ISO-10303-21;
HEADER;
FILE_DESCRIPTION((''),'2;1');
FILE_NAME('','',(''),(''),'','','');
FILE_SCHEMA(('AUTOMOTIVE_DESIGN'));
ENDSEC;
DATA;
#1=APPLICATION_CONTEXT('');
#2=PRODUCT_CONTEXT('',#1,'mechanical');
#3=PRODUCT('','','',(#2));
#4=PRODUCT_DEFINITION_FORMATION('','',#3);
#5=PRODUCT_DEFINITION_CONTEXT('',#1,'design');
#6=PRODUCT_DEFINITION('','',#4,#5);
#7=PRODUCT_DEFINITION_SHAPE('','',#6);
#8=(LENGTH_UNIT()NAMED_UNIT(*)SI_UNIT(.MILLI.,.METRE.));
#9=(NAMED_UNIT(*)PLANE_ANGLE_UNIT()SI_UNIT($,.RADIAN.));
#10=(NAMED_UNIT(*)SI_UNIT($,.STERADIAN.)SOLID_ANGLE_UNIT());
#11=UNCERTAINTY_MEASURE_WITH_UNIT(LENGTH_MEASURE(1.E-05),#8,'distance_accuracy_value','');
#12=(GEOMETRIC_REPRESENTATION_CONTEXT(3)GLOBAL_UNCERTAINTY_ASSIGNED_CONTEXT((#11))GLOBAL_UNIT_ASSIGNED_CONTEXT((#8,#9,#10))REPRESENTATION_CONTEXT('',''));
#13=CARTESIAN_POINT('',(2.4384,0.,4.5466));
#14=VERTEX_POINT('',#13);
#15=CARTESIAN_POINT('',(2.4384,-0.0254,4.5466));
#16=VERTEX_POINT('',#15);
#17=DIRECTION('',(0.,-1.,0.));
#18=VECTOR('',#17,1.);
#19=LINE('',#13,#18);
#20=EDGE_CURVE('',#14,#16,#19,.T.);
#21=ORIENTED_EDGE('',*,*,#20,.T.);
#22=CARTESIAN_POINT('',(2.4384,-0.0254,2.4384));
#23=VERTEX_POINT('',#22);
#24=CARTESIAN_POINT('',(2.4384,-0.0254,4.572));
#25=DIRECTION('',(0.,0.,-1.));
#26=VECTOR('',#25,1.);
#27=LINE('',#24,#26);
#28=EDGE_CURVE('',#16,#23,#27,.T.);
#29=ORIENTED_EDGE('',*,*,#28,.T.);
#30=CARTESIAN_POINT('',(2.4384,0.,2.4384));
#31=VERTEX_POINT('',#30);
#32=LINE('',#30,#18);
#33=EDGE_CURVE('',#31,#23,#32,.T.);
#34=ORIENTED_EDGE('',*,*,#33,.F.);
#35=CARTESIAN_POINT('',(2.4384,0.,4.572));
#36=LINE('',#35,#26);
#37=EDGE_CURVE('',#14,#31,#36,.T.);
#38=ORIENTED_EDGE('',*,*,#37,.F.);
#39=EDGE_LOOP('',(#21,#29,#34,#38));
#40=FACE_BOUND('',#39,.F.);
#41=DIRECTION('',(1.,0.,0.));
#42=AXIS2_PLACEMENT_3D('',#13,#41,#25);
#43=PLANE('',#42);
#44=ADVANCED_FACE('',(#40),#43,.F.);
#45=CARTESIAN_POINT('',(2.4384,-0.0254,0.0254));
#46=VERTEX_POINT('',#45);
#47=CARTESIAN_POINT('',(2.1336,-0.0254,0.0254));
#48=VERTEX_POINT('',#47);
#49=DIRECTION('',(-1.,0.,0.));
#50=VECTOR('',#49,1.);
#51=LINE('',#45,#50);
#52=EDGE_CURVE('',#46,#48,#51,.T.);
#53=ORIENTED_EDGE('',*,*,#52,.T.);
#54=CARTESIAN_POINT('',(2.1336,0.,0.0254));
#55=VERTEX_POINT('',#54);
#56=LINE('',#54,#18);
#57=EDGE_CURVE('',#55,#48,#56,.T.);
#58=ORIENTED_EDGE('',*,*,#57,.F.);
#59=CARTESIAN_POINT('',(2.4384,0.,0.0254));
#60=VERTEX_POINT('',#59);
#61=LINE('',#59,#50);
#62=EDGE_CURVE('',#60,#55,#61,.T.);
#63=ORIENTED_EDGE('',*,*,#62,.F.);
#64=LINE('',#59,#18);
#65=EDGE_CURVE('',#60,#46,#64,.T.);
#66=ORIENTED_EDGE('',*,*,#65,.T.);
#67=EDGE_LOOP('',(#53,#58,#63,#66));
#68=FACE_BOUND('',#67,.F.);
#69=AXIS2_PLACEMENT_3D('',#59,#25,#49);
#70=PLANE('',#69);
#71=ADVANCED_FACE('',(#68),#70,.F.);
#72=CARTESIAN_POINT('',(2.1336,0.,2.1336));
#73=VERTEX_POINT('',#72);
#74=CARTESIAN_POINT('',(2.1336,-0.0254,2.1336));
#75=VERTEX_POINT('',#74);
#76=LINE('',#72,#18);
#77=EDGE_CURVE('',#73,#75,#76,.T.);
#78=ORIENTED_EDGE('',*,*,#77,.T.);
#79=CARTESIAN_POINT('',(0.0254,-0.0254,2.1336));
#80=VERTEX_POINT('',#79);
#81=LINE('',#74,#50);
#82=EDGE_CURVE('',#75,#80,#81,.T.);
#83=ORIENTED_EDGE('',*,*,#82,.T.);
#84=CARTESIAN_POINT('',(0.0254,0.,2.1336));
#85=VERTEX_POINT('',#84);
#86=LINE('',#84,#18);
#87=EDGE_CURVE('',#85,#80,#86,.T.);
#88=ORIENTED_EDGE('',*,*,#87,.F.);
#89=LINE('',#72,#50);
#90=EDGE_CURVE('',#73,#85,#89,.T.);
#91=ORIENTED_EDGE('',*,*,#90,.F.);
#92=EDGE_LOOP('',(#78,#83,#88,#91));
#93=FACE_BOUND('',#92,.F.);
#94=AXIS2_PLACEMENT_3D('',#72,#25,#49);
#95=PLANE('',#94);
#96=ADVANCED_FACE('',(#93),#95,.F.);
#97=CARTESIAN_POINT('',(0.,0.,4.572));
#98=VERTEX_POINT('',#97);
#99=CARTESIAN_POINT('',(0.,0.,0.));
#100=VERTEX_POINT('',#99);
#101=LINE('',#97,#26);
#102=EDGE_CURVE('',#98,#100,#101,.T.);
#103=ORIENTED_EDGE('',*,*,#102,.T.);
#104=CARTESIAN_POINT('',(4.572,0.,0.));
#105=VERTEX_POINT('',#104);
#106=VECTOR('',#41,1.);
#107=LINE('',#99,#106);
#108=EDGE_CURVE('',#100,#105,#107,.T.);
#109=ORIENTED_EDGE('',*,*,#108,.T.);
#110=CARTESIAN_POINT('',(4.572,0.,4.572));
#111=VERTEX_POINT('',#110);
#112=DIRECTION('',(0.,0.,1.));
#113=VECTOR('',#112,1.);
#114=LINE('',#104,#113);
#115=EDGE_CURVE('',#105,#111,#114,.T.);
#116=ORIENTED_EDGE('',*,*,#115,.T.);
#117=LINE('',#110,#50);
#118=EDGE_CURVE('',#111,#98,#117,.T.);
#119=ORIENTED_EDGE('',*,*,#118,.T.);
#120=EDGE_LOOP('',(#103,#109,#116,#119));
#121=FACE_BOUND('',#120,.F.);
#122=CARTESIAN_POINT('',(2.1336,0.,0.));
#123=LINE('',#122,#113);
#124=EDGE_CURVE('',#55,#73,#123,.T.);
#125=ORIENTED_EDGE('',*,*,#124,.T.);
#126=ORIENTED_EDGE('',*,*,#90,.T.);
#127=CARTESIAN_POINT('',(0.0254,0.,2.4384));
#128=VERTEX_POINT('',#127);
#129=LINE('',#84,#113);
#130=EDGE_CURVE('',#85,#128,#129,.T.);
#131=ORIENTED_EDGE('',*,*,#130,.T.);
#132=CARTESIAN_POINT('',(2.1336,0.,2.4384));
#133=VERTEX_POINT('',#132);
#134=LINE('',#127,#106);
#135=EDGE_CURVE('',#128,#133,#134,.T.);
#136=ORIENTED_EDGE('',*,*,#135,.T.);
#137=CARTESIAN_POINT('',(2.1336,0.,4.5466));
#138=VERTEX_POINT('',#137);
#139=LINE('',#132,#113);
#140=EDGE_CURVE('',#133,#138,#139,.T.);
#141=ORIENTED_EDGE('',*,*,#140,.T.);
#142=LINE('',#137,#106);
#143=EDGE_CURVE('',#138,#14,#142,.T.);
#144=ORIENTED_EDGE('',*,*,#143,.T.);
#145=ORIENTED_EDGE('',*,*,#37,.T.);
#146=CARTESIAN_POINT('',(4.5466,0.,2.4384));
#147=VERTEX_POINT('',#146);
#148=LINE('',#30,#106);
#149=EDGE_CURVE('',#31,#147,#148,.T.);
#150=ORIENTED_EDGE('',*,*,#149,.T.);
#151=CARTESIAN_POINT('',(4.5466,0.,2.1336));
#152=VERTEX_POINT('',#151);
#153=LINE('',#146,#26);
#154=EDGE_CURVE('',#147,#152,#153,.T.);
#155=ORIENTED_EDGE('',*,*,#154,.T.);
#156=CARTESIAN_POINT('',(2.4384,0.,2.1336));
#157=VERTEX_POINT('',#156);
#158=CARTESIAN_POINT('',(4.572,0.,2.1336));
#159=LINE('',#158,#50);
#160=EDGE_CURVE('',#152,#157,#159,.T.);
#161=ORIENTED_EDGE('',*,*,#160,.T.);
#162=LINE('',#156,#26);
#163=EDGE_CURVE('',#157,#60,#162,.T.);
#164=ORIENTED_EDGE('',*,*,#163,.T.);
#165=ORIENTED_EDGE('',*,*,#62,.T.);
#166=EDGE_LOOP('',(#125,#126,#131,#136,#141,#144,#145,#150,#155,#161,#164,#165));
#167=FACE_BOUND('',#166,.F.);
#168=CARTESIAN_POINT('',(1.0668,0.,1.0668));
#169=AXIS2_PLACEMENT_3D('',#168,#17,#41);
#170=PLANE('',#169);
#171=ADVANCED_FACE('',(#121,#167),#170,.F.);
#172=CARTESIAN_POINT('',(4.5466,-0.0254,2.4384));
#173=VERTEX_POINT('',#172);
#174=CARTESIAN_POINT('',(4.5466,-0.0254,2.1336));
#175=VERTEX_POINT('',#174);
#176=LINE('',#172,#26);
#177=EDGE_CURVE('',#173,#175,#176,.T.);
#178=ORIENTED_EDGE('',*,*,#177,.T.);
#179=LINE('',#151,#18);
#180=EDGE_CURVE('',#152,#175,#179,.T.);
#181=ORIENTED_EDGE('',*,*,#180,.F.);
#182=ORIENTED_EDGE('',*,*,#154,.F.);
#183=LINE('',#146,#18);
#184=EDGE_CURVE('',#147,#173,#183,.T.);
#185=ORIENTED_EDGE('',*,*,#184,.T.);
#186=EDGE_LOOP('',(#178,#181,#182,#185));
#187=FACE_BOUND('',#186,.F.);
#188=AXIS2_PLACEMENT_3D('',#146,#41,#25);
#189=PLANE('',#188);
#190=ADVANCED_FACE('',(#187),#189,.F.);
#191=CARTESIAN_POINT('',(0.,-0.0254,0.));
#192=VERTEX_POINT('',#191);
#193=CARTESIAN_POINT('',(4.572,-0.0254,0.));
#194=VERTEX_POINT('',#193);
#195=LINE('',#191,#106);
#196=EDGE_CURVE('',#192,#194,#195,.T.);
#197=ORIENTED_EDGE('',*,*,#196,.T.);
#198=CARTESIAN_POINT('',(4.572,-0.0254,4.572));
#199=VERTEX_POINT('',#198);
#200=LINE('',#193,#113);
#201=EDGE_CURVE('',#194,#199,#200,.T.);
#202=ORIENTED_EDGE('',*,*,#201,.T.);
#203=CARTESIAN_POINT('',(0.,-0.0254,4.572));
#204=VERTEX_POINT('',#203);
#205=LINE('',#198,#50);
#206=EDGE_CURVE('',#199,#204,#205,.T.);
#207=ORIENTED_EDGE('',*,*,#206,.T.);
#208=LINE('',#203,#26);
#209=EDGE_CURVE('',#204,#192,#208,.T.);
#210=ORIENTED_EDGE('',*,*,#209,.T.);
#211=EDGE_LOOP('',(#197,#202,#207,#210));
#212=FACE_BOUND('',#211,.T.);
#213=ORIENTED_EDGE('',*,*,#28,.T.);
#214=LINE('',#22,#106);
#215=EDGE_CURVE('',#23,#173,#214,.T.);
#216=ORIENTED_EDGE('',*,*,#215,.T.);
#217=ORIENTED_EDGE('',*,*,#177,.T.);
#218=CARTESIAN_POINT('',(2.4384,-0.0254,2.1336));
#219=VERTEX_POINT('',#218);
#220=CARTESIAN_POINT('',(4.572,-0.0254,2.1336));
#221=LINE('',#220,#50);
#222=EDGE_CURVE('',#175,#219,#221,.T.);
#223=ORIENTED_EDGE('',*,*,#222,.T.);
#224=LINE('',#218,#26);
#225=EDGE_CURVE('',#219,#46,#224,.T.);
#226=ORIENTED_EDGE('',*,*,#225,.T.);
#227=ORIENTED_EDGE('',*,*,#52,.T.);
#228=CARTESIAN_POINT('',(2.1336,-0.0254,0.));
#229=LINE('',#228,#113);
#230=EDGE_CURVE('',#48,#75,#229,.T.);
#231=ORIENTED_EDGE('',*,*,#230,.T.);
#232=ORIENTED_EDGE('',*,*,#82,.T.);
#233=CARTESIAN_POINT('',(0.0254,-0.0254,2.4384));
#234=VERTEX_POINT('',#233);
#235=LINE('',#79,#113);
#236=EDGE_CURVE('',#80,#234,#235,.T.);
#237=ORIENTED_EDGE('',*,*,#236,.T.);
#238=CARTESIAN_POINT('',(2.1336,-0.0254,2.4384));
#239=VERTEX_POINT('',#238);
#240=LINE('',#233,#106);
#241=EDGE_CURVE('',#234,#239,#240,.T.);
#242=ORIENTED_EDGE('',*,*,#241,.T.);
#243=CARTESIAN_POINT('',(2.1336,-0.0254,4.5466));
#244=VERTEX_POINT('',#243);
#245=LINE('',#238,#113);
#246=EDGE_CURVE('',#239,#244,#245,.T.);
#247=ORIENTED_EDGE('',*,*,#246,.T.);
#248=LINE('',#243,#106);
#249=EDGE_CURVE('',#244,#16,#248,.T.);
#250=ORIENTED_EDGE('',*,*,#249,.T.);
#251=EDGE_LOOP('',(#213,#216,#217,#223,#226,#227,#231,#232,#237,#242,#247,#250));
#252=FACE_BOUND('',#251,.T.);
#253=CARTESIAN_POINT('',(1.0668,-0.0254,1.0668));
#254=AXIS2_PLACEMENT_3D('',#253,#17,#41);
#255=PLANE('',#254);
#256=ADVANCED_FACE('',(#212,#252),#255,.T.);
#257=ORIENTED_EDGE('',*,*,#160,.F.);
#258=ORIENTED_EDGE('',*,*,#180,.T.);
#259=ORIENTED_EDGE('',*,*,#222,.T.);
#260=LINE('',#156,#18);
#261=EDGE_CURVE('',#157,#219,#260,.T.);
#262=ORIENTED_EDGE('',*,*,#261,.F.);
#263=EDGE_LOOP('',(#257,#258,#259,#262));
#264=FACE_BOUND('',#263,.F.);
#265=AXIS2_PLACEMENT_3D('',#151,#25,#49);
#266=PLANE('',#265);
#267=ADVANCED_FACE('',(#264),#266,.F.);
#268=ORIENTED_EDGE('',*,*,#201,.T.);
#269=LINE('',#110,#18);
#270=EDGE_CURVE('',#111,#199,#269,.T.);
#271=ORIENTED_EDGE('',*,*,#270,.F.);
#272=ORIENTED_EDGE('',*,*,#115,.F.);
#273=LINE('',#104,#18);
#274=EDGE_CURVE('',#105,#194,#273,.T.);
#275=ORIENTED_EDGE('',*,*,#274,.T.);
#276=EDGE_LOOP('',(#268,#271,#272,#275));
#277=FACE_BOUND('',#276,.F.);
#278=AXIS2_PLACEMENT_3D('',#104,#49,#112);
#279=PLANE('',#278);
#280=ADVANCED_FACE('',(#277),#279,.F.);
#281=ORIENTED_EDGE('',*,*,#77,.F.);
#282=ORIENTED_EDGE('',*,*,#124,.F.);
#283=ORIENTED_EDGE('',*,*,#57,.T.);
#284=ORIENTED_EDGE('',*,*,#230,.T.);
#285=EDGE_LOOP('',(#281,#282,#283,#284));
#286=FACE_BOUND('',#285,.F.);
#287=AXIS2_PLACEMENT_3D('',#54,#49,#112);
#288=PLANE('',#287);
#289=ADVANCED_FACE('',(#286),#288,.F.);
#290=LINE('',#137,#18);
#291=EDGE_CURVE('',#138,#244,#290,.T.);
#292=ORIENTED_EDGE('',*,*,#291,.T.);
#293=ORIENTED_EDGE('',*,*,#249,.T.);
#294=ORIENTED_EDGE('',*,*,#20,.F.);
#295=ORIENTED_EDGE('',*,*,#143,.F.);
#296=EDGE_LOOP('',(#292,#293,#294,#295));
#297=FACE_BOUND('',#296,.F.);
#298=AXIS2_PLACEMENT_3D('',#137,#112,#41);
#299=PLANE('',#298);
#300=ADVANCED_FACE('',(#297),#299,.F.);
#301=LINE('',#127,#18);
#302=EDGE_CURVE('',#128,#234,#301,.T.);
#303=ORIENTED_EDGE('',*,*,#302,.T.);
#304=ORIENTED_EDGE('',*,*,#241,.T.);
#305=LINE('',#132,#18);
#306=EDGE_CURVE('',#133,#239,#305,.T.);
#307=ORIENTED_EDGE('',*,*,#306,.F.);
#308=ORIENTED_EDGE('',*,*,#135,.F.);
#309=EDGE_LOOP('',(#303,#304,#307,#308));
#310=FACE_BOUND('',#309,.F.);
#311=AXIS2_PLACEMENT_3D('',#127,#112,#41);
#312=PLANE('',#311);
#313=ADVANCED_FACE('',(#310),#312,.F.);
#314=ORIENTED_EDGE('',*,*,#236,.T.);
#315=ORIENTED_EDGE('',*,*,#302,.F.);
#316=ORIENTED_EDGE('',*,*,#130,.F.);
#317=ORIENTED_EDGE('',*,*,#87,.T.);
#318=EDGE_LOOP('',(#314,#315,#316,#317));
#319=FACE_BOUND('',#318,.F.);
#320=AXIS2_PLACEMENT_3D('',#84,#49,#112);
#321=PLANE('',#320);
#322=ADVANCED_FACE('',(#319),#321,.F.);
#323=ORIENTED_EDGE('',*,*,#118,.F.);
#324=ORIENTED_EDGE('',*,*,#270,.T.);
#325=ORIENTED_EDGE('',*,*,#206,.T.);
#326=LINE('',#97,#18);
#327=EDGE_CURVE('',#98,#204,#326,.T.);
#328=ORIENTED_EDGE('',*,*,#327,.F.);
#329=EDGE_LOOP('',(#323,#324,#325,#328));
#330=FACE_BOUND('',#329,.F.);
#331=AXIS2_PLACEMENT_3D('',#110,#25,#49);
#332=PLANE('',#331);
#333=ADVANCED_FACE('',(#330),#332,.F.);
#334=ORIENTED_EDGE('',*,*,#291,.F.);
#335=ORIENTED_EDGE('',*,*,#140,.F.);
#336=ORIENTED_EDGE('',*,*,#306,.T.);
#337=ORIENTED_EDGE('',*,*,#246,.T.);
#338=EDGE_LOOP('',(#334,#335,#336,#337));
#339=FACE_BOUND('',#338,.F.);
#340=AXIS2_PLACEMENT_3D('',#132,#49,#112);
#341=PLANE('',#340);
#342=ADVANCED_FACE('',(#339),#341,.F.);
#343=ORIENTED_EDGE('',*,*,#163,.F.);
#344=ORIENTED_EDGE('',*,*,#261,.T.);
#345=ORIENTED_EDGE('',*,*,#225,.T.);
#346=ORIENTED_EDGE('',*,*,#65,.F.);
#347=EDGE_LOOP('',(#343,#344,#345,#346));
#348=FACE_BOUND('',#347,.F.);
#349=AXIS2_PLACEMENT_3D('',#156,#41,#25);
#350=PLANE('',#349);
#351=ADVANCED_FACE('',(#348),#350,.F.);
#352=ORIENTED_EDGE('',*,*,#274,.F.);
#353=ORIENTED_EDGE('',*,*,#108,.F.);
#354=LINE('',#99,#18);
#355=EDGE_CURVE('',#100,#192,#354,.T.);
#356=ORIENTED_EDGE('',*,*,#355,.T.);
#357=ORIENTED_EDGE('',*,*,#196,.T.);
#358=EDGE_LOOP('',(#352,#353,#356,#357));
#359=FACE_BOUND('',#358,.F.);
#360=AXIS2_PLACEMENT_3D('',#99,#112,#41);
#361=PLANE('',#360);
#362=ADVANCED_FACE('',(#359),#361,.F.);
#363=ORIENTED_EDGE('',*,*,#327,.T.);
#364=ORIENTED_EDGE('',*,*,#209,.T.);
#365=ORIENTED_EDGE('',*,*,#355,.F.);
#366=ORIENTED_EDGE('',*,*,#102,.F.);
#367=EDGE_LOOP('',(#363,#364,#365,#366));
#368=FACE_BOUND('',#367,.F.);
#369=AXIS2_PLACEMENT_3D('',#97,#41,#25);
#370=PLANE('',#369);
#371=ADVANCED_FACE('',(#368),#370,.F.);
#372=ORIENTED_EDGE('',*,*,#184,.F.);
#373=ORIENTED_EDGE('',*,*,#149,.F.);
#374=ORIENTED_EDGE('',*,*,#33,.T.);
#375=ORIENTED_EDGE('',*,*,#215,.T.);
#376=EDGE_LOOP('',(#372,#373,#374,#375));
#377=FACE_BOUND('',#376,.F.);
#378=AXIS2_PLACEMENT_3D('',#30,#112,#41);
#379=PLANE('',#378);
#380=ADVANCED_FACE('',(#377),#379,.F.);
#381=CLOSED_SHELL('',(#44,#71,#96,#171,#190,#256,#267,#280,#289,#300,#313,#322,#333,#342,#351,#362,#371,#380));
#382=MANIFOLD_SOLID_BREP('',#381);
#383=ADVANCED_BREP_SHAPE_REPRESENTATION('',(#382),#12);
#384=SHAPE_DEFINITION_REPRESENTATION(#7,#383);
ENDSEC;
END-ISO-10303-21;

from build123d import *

# Parameters (mm, degrees)
F0_W     = 0.1524
F0_H     = 0.0254
F0_W_2   = 0.0254
F0_H_2   = 0.1524
F1_DEPTH = 0.0254


with BuildPart() as f1:
    # F0 (on Front) → F1 (new body)
    with BuildSketch(Plane.XZ):
        Polygon((0, 2.1336), (0, 0), (2.1336, 0), (2.1336, 0.0254), (2.1336, 2.1336), (0.0254, 2.1336), align=None)
        with Locations((2.2098, 0.0127)):
            Rectangle(F0_W, F0_H)
        with Locations((0.0127, 2.2098)):
            Rectangle(F0_W_2, F0_H_2)
        with Locations((2.3622, 0.0127)):
            Rectangle(F0_W, F0_H)
        with Locations((0.0127, 2.3622)):
            Rectangle(F0_W_2, F0_H_2)
        Polygon((2.4384, 0.0254), (2.4384, 0), (4.572, 0), (4.572, 2.1336), (4.5466, 2.1336), (2.4384, 2.1336), align=None)
        Polygon((0, 4.572), (0, 2.4384), (0.0254, 2.4384), (2.1336, 2.4384), (2.1336, 4.5466), (2.1336, 4.572), align=None)
        with Locations((4.5593, 2.2098)):
            Rectangle(F0_W_2, F0_H_2)
        Polygon((2.267986, 4.572), (2.1336, 4.572), (2.1336, 4.5466), (2.286, 4.5466), (2.286, 4.572), (2.278709, 4.572), align=None)
        with Locations((4.5593, 2.3622)):
            Rectangle(F0_W_2, F0_H_2)
        Polygon((4.5466, 2.4384), (4.572, 2.4384), (4.572, 4.572), (2.4384, 4.572), (2.4384, 4.5466), (2.4384, 4.528079), (2.4384, 2.4384), align=None)
        Polygon((2.286, 4.572), (2.286, 4.5466), (2.4384, 4.5466), (2.4384, 4.572), (2.316148, 4.572), align=None)
    extrude(amount=F1_DEPTH)


solid = f1.part
